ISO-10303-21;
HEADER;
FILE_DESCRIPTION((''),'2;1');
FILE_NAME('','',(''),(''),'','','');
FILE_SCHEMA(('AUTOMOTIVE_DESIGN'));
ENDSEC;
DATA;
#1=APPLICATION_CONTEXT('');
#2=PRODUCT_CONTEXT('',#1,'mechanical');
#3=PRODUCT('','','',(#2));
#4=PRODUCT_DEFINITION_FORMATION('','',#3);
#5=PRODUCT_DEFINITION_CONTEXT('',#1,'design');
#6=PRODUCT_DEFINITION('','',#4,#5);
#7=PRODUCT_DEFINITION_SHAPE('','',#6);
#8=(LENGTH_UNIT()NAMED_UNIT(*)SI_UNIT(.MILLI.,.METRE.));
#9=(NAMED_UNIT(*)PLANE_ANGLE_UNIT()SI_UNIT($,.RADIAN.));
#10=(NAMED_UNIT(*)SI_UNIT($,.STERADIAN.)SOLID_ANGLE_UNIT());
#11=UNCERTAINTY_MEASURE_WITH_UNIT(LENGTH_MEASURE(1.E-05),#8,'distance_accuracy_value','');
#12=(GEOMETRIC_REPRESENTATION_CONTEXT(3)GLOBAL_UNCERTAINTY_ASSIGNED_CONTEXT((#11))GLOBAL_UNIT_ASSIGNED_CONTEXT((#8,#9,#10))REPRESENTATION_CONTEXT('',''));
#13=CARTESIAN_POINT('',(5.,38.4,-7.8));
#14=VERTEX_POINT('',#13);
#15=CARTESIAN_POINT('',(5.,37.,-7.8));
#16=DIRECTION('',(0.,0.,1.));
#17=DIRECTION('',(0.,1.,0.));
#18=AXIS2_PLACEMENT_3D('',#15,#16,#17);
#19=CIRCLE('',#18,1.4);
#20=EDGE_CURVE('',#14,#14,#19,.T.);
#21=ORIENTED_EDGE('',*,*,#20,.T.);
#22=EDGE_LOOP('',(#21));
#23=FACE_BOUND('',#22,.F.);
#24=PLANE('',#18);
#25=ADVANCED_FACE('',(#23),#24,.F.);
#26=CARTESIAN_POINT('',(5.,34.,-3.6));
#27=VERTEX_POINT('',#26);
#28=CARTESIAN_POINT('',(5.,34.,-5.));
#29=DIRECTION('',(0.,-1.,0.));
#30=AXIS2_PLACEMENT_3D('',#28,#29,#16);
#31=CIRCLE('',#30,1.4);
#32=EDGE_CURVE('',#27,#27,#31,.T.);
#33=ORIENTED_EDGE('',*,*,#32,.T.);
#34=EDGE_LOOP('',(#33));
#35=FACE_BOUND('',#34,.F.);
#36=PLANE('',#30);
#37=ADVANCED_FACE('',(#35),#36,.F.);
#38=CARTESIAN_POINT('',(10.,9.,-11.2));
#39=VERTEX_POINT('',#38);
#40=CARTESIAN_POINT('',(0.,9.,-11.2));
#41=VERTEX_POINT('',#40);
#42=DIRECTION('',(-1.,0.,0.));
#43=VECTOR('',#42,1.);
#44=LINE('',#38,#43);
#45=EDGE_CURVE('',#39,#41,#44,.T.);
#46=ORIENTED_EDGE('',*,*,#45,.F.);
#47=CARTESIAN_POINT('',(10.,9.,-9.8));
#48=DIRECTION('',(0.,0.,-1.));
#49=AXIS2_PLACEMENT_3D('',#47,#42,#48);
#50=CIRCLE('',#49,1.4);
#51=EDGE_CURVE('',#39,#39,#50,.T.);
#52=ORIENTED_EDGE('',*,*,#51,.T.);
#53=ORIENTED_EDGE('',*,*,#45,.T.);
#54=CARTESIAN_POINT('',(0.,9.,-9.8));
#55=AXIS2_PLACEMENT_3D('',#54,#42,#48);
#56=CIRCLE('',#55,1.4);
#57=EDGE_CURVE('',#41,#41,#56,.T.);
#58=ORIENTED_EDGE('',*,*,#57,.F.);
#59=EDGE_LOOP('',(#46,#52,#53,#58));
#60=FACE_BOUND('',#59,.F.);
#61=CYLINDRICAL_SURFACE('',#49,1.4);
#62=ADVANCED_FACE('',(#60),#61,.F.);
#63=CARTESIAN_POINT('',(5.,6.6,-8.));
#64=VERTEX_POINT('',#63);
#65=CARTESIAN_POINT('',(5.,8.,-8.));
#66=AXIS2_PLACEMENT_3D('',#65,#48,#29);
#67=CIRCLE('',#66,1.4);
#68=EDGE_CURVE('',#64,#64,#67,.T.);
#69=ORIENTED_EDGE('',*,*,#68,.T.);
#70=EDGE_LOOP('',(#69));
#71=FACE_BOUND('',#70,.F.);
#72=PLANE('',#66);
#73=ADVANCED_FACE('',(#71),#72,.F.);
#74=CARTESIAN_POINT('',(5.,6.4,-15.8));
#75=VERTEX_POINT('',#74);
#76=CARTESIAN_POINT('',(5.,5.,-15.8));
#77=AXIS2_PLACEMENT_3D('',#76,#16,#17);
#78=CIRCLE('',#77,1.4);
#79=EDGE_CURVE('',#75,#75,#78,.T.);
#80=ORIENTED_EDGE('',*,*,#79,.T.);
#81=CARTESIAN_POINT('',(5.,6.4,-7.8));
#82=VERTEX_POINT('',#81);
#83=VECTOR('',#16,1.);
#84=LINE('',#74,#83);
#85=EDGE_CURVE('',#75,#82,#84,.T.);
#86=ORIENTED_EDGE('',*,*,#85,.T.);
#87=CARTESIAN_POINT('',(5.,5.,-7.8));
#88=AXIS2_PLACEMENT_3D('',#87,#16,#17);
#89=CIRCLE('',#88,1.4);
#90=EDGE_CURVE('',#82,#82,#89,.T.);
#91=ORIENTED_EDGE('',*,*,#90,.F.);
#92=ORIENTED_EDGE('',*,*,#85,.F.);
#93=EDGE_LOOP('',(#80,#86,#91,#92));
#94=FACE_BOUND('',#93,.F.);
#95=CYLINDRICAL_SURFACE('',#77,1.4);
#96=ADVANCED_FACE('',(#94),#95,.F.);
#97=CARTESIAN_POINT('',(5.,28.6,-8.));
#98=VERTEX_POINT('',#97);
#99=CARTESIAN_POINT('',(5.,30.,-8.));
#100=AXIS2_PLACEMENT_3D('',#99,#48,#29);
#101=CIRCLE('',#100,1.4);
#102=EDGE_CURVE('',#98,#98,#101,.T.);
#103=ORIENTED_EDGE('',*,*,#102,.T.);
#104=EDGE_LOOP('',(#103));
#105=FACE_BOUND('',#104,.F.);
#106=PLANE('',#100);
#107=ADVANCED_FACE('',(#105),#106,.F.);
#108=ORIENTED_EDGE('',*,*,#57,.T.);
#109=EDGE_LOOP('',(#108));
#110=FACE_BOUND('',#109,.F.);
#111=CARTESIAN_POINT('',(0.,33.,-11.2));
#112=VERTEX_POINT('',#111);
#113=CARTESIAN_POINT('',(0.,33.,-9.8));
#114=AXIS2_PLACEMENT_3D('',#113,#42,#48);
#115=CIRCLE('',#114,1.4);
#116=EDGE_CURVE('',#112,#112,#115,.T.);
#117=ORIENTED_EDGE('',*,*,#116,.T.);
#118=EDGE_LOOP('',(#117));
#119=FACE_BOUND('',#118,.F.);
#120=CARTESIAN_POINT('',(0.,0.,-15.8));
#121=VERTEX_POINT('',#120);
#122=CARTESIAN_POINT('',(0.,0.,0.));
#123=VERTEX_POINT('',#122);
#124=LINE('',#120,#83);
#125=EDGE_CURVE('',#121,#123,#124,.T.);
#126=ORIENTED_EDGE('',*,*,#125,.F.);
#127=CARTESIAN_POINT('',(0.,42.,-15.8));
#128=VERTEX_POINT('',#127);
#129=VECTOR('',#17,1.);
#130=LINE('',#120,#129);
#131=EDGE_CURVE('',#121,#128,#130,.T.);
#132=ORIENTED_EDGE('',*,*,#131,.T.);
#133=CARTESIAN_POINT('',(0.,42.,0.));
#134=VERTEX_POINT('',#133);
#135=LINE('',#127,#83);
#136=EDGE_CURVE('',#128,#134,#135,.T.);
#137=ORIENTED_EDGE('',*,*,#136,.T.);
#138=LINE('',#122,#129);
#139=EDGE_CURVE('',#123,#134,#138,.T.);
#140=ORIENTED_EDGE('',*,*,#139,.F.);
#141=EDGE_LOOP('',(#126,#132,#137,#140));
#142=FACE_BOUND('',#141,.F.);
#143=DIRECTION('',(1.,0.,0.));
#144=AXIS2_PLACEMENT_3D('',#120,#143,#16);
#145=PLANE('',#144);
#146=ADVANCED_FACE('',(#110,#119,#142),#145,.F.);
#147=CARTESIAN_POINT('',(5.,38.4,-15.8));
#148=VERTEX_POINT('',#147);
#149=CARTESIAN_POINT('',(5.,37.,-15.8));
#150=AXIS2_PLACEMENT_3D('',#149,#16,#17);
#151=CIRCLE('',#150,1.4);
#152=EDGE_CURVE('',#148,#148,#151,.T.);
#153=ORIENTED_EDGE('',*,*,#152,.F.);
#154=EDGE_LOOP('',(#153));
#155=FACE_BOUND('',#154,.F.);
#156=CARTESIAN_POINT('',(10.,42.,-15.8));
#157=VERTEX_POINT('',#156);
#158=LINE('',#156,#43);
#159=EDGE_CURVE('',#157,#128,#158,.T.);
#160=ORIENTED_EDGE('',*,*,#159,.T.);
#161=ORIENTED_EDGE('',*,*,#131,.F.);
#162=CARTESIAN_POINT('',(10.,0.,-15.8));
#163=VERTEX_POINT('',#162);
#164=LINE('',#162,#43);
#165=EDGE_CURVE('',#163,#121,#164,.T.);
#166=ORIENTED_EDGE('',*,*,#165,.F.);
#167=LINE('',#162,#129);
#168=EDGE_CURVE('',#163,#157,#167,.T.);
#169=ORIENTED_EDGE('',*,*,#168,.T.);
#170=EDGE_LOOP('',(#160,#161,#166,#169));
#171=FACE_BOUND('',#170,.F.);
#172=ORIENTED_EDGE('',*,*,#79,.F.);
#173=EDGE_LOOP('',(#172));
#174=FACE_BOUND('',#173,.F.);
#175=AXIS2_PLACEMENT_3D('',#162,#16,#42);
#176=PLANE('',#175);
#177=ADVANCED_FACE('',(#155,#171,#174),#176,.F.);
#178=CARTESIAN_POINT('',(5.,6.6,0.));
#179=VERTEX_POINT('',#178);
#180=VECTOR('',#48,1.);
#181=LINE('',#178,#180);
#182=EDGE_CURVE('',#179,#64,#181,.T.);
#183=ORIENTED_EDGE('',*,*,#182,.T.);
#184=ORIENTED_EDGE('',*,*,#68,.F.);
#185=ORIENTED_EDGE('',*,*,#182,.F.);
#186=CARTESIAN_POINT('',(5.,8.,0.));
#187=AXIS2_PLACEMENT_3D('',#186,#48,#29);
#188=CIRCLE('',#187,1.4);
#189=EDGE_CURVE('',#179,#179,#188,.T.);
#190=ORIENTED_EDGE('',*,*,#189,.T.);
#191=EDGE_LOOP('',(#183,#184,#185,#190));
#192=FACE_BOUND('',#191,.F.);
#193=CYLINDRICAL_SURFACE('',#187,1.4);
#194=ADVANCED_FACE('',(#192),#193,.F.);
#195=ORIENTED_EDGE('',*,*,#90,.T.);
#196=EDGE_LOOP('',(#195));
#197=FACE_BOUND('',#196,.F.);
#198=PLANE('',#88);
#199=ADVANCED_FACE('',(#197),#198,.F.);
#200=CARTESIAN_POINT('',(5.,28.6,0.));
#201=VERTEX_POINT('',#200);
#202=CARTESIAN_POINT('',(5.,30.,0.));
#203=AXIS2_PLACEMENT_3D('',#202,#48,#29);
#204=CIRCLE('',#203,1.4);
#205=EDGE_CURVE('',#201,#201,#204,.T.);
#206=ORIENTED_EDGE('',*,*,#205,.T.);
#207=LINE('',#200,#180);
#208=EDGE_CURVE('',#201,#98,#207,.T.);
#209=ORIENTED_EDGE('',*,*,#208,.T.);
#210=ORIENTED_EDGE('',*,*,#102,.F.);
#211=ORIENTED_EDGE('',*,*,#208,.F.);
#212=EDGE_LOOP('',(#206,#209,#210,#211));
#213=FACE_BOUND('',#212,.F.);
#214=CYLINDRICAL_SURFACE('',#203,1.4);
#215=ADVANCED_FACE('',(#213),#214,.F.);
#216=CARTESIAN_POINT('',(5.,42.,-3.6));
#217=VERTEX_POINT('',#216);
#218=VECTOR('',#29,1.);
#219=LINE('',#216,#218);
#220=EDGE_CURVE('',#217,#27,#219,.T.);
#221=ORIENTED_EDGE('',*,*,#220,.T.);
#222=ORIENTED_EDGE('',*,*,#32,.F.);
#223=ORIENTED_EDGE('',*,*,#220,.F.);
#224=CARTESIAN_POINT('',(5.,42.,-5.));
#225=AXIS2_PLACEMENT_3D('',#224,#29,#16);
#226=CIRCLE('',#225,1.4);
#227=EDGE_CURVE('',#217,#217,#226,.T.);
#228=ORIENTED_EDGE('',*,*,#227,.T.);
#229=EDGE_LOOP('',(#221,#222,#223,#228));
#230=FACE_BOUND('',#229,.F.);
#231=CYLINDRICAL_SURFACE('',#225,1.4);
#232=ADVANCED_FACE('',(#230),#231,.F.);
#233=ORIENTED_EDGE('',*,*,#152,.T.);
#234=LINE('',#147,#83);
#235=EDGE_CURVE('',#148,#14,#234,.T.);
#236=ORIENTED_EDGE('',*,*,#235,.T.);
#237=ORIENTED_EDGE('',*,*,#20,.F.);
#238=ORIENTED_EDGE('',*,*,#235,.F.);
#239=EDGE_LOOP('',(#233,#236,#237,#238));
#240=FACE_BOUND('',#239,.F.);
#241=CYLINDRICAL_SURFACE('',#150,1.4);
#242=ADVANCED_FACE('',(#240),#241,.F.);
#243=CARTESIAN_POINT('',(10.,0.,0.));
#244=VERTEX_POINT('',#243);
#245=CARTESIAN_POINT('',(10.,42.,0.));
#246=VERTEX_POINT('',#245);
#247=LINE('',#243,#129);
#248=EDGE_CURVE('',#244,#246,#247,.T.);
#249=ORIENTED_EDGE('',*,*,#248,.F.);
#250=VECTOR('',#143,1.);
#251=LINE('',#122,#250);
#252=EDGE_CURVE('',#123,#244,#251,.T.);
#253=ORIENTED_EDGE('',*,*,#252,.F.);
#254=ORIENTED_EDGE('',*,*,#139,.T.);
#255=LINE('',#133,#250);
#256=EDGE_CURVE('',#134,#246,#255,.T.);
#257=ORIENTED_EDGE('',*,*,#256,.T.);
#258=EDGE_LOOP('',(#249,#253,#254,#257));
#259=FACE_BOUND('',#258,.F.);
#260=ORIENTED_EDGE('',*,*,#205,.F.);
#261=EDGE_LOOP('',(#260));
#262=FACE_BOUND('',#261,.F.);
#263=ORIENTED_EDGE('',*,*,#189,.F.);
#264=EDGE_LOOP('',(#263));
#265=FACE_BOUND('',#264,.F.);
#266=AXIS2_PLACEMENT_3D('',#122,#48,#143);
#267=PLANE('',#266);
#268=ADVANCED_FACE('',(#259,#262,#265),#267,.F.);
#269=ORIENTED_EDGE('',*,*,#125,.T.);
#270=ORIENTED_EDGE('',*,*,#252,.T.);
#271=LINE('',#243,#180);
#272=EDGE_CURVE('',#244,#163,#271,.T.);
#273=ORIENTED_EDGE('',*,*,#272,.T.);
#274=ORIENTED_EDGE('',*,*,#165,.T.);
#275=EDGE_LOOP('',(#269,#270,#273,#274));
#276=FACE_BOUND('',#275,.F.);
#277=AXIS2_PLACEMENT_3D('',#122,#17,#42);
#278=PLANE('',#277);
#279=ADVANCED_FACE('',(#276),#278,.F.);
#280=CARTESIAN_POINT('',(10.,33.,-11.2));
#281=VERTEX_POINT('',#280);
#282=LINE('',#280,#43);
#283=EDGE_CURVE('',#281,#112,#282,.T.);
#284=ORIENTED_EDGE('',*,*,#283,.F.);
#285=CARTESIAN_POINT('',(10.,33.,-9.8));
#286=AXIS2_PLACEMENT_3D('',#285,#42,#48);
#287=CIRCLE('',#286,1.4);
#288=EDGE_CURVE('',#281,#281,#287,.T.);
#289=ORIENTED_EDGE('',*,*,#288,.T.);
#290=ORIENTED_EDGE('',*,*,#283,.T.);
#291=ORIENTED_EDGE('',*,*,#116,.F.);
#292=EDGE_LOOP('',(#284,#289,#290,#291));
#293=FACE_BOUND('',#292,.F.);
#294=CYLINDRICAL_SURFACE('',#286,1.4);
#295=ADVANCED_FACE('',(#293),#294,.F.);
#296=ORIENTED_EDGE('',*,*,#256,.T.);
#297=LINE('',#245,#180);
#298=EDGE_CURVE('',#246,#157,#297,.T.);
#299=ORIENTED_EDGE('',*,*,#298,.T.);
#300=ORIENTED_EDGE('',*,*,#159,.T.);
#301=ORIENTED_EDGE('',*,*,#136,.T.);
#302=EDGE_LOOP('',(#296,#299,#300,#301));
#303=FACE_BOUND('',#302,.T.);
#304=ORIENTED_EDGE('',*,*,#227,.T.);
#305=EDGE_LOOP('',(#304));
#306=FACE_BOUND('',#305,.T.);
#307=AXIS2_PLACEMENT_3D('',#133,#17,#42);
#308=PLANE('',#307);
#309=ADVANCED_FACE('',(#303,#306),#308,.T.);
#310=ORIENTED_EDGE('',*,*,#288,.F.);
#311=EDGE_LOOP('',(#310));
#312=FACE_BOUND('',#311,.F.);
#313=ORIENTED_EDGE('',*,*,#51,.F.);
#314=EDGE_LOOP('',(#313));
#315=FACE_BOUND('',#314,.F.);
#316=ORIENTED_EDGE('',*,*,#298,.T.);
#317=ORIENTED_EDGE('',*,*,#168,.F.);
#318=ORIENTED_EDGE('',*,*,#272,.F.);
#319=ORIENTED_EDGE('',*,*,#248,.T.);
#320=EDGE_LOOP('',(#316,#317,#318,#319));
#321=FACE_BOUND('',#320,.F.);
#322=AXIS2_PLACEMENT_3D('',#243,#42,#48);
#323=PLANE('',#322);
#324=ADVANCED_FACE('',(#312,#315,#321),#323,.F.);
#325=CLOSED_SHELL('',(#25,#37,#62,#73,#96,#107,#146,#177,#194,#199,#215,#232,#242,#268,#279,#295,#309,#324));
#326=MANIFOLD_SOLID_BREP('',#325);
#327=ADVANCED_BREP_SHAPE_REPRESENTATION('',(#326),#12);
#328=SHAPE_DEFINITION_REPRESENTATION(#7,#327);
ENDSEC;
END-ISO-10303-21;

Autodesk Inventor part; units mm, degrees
ref_plane "YZ Plane" through (0, 0, 0) normal (1, 0, 0) x (0, 1, 0)
ref_plane "XZ Plane" through (0, 0, 0) normal (0, 1, 0) x (-1, 0, 0)
ref_plane "XY Plane" through (0, 0, 0) normal (0, 0, 1) x (1, 0, 0)
sketch "Эскиз1" plane through (0, 0, 0) normal (0, 1, 0) x (-1, 0, 0)
  line L0 (0, 0) -> (-10, 0)
  line L1 (-10, 0) -> (-10, -15.8)
  line L2 (-10, -15.8) -> (0, -15.8)
  line L3 (0, -15.8) -> (0, 0)
  dimension "d0" = 10
  dimension "d1" = 15.8
extrude "Выдавливание1" add sketch "Эскиз1" along normal blind 42
sketch "Эскиз2" plane through (10, 0, -15.8) normal (0, 0, -1) x (-1, 0, 0)
  line L0 (0, 0) -> (10, 0) projected
  line L1 (0, 42) -> (10, 42) projected
  point P0 (5, 5)
  point P1 (5, 37)
  point P2 (5, 0)
  dimension "d32" = 5
  dimension "d33" = 5
hole "Отверстие1" at (5, 5, -15.8) at (5, 37, -15.8) direction (0, 0, 1) diameter 2.8 depth 8
sketch "Эскиз3" plane through (10, 0, 0) normal (1, 0, 0) x (0, 0, -1)
  line L0 (0, 42) -> (15.8, 42) projected
  line L1 (0, 0) -> (15.8, 0) projected
  line L2 (15.8, 0) -> (15.8, 42) projected
  point P0 (9.8, 33)
  point P1 (9.8, 9)
  point P2 (7.9, 42)
  dimension "d34" = 9
  dimension "d35" = 9
  dimension "d37" = 6
hole "Отверстие2" at (10, 33, -9.8) at (10, 9, -9.8) direction (-1, 0, 0) diameter 2.8 end through all
sketch "Эскиз7" plane through (0, 42, 0) normal (0, 1, 0) x (1, 0, 0)
  line L0 (0, 0) -> (10, 0) projected
  point P0 (5, 5)
  point P1 (5, 0)
  dimension "d45" = 5
hole "Отверстие5" at (5, 42, -5) direction (0, -1, 0) diameter 2.8 depth 8
sketch "Эскиз9" plane through (0, 0, 0) normal (0, 0, 1) x (1, 0, 0)
  line L0 (0, 42) -> (10, 42) projected
  line L1 (0, 0) -> (10, 0) projected
  point P0 (5, 30)
  point P1 (5, 8)
  point P2 (5, 42)
  dimension "d53" = 12
  dimension "d54" = 8
hole "Отверстие6" at (5, 30, 0) at (5, 8, 0) direction (0, 0, -1) diameter 2.8 depth 8
properties part number "CupHolderBack"
